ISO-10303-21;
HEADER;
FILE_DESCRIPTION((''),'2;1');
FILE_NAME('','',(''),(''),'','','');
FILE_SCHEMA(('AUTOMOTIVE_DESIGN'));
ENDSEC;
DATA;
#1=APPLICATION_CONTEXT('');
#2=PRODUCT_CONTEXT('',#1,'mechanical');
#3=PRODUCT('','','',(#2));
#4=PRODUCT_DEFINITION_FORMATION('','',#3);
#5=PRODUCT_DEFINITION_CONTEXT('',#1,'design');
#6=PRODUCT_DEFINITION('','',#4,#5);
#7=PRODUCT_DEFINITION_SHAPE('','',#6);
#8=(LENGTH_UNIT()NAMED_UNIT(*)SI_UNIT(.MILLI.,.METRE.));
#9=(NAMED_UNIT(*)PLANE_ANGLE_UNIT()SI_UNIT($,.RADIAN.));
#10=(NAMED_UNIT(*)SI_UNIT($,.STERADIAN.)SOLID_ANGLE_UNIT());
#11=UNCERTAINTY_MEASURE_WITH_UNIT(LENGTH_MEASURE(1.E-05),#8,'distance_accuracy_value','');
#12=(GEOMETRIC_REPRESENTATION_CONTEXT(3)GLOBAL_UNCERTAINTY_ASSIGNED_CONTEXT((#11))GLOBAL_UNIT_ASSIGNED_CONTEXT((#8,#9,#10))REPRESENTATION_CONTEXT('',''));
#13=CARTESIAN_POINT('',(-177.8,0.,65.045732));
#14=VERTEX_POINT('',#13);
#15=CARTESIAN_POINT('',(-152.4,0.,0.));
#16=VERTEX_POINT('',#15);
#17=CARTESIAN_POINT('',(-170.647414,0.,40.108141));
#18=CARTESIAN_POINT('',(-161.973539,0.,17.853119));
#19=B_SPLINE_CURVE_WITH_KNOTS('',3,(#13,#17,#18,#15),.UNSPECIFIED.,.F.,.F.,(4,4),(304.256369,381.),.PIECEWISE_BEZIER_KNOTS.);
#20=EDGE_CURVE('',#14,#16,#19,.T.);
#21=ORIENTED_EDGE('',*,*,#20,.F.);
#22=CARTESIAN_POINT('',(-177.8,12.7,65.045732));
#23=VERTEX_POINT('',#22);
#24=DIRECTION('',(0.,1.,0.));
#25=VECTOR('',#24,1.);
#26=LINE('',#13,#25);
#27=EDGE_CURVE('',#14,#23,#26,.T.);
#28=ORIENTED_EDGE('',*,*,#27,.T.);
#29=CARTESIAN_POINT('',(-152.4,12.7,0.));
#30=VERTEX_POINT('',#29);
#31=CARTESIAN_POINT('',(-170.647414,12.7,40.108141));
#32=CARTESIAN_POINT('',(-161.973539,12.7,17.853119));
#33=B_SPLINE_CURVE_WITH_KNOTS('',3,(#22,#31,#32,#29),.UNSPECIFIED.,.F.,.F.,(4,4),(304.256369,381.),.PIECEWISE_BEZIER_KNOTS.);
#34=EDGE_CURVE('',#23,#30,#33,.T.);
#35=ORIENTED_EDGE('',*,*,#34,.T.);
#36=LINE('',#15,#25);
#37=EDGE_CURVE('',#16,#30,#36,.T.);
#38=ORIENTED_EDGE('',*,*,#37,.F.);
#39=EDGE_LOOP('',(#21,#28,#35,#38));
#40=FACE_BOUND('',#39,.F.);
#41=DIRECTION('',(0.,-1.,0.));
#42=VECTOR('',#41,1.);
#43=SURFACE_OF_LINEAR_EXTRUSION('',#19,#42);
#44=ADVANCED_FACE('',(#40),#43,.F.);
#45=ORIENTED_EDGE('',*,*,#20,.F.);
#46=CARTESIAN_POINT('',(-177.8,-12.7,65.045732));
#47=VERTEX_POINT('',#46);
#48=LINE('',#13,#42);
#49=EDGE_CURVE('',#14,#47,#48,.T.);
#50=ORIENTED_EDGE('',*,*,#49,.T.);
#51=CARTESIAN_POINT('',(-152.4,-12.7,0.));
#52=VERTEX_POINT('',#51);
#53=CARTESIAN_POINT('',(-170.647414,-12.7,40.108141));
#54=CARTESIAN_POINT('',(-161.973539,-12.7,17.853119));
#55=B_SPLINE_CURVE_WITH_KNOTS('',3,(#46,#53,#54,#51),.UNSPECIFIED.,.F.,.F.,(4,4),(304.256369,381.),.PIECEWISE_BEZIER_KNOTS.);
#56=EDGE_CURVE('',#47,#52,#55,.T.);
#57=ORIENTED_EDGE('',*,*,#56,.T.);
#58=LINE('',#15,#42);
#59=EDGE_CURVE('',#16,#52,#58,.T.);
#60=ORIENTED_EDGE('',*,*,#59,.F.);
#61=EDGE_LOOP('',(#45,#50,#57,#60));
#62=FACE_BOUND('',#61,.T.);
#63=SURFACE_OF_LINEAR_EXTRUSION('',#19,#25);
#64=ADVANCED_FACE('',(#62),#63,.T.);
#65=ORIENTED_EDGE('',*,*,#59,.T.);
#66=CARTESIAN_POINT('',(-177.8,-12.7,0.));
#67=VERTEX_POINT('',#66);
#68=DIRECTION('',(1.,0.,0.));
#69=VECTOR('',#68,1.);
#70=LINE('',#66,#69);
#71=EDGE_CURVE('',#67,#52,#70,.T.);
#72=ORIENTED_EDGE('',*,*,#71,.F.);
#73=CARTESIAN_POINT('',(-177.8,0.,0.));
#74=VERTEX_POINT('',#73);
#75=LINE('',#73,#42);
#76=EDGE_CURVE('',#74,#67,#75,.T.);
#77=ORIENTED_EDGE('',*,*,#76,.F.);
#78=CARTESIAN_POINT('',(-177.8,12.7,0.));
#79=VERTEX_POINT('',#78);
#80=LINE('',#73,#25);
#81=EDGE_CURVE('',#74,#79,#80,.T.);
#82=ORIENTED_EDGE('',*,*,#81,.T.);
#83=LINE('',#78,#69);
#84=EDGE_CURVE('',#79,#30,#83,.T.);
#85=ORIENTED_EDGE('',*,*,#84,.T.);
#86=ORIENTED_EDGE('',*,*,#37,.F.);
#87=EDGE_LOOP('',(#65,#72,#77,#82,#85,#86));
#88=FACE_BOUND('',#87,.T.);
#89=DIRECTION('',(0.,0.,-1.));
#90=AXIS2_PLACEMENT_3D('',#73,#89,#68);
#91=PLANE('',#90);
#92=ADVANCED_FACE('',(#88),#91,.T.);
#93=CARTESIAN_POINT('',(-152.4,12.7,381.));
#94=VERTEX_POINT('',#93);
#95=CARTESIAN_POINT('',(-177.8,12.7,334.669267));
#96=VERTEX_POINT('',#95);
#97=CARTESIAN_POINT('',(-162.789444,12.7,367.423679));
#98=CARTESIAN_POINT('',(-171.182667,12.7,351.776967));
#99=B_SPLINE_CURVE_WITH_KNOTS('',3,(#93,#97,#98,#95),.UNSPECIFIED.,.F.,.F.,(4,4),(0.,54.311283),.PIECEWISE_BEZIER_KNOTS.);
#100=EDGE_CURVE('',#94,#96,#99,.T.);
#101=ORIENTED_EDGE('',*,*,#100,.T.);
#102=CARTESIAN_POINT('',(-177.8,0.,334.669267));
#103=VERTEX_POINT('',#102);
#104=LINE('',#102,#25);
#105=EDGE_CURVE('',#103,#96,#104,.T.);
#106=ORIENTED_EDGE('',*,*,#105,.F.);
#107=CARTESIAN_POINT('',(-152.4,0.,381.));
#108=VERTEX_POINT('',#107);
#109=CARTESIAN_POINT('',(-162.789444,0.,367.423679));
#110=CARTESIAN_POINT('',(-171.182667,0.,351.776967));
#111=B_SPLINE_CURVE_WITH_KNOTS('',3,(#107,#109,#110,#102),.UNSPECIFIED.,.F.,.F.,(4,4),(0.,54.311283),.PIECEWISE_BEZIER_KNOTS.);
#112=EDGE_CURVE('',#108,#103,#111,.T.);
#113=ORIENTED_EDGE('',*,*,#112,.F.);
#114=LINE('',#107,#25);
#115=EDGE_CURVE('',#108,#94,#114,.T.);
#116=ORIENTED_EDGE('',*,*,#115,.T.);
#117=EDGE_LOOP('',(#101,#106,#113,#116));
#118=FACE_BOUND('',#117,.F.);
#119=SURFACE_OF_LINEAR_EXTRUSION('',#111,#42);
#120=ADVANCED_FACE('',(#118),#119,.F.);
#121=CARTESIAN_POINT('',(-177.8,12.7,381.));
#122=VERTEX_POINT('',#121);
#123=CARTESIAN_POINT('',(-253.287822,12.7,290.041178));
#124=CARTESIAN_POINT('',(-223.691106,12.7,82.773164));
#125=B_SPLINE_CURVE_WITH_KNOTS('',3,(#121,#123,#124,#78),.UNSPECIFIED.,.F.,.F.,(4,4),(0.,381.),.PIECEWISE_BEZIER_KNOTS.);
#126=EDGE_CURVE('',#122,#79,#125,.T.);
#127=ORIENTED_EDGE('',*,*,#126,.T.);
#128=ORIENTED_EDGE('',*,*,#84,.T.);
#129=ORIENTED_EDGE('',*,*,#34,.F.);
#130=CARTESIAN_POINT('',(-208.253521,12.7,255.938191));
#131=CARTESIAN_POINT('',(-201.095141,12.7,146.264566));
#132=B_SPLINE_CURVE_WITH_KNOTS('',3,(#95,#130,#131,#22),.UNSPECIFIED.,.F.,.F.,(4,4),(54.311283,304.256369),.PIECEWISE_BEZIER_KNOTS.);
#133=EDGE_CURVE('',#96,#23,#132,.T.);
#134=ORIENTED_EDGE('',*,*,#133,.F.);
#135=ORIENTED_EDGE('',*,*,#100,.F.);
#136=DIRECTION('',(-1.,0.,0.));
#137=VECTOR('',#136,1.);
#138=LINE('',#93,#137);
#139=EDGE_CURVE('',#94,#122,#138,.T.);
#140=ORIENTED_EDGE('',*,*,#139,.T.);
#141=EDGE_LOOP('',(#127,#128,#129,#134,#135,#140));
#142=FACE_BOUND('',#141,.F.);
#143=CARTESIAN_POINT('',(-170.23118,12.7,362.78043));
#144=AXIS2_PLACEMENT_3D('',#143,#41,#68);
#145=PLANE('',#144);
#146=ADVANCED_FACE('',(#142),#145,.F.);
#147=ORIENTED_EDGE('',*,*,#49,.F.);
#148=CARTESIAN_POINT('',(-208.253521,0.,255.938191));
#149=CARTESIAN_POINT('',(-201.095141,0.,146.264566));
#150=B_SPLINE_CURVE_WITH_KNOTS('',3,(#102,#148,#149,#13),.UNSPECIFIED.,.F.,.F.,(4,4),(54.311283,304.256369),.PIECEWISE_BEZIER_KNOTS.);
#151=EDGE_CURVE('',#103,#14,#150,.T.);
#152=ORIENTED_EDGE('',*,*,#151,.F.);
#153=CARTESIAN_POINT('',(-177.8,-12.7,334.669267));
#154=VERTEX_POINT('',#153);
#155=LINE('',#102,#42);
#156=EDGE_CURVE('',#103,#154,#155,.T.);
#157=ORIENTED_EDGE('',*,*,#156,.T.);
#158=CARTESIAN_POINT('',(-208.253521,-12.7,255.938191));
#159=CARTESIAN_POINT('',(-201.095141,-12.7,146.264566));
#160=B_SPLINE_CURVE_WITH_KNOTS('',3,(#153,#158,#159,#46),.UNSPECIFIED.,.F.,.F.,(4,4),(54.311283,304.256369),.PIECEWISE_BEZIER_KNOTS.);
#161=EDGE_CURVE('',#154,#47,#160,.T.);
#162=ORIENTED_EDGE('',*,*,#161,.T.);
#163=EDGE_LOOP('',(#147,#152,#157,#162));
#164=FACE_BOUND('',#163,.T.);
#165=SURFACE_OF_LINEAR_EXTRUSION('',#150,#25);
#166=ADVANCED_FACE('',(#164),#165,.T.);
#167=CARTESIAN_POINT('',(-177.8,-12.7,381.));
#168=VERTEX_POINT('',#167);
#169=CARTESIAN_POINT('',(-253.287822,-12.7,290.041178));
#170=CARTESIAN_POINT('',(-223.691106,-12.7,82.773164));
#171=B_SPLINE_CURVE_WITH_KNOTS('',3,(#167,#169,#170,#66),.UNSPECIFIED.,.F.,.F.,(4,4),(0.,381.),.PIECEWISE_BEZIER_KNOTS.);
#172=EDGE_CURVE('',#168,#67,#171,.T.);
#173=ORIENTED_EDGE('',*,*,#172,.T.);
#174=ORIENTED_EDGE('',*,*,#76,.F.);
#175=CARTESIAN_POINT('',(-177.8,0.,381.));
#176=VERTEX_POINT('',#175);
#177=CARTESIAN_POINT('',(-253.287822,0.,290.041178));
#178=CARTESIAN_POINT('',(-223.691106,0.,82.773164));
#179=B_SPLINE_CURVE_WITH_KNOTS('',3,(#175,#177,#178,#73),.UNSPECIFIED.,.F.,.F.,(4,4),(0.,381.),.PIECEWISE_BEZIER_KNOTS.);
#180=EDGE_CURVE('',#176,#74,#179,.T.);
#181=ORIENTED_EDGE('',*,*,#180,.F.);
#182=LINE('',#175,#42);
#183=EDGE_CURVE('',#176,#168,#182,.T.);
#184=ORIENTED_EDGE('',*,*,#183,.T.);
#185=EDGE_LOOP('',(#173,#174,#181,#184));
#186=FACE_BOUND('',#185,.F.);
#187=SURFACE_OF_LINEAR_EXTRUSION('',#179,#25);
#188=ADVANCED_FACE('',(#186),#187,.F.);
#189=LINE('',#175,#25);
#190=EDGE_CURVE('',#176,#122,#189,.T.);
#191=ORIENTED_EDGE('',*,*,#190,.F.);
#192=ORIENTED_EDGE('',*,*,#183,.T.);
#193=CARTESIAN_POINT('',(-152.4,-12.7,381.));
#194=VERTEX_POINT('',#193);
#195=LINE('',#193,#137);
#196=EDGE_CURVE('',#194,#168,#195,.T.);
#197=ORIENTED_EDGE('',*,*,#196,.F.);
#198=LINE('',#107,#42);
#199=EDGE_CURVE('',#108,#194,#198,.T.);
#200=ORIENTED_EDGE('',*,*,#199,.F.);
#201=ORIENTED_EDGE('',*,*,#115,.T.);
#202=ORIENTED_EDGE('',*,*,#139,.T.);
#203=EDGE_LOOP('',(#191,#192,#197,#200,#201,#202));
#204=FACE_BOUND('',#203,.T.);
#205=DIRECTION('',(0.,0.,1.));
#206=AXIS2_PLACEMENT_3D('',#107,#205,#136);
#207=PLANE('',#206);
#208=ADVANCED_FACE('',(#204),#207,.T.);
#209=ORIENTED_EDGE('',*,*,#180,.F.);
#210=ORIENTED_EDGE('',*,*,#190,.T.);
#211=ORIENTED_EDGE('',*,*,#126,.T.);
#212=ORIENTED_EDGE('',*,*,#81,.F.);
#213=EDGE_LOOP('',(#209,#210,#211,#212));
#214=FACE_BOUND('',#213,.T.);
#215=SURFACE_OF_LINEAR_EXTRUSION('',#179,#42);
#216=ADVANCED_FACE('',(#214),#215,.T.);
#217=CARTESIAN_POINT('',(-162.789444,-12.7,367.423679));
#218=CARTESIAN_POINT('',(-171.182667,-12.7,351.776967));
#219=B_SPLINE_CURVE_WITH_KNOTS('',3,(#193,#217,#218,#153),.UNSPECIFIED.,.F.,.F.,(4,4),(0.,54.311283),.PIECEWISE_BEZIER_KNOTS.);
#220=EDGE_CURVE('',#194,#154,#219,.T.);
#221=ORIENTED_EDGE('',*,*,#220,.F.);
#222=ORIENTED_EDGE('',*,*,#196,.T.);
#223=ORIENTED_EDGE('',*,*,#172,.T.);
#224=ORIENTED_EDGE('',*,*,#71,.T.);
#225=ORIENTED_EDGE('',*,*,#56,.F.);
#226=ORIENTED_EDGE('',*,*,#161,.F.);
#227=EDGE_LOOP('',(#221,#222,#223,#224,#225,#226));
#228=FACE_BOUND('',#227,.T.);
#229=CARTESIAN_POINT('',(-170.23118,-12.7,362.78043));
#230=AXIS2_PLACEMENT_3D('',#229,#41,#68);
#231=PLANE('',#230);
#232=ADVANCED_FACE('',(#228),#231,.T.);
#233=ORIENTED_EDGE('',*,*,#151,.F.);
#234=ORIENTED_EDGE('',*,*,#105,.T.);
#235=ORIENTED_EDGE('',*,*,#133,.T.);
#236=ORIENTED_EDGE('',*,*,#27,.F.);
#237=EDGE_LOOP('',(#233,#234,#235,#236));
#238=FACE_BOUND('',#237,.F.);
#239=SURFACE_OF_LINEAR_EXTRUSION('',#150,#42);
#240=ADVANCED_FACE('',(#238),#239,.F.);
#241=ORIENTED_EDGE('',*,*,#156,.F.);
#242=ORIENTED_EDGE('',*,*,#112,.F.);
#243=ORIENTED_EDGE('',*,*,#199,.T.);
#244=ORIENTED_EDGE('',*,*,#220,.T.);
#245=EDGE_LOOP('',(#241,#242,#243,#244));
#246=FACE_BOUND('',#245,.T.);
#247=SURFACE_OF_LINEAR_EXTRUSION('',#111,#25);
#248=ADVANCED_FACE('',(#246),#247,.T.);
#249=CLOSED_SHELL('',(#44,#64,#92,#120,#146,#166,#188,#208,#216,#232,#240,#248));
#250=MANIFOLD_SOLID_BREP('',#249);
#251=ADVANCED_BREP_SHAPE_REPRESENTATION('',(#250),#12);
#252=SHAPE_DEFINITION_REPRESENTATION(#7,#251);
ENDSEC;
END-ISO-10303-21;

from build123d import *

# Parameters (mm, degrees)
F1_DEPTH = 12.7


with BuildPart() as f1:
    # F0 (on Front) → F1 (new body, symmetric)
    with BuildSketch(Plane.XZ):
        with BuildLine():
            Line((-152.4, 381), (-177.8, 381))
            Line((-177.8, 381), (-177.8, 334.669267))
            add(Edge.make_bspline(
                [(-152.4, 381), (-162.789444, 367.423679), (-171.182667, 351.776967), (-177.8, 334.669267)],
                knots=[0, 0, 0, 0, 54.311283, 54.311283, 54.311283, 54.311283], degree=3))
        make_face()
        with BuildLine():
            Line((-177.8, 65.045732), (-177.8, 0))
            Line((-177.8, 0), (-152.4, 0))
            add(Edge.make_bspline(
                [(-177.8, 65.045732), (-170.647414, 40.108141), (-161.973539, 17.853119), (-152.4, 0)],
                knots=[304.256369, 304.256369, 304.256369, 304.256369, 381, 381, 381, 381], degree=3))
        make_face()
        with BuildLine():
            Line((-177.8, 334.669267), (-177.8, 381))
            add(Edge.make_bspline(
                [(-177.8, 381), (-253.287822, 290.041178), (-223.691106, 82.773164), (-177.8, 0)],
                knots=[0, 0, 0, 0, 381, 381, 381, 381], degree=3))
            Line((-177.8, 0), (-177.8, 65.045732))
            add(Edge.make_bspline(
                [(-177.8, 334.669267), (-208.253521, 255.938191), (-201.095141, 146.264566), (-177.8, 65.045732)],
                knots=[54.311283, 54.311283, 54.311283, 54.311283, 304.256369, 304.256369, 304.256369, 304.256369], degree=3))
        make_face()
    extrude(amount=F1_DEPTH, both=True)


solid = f1.part
